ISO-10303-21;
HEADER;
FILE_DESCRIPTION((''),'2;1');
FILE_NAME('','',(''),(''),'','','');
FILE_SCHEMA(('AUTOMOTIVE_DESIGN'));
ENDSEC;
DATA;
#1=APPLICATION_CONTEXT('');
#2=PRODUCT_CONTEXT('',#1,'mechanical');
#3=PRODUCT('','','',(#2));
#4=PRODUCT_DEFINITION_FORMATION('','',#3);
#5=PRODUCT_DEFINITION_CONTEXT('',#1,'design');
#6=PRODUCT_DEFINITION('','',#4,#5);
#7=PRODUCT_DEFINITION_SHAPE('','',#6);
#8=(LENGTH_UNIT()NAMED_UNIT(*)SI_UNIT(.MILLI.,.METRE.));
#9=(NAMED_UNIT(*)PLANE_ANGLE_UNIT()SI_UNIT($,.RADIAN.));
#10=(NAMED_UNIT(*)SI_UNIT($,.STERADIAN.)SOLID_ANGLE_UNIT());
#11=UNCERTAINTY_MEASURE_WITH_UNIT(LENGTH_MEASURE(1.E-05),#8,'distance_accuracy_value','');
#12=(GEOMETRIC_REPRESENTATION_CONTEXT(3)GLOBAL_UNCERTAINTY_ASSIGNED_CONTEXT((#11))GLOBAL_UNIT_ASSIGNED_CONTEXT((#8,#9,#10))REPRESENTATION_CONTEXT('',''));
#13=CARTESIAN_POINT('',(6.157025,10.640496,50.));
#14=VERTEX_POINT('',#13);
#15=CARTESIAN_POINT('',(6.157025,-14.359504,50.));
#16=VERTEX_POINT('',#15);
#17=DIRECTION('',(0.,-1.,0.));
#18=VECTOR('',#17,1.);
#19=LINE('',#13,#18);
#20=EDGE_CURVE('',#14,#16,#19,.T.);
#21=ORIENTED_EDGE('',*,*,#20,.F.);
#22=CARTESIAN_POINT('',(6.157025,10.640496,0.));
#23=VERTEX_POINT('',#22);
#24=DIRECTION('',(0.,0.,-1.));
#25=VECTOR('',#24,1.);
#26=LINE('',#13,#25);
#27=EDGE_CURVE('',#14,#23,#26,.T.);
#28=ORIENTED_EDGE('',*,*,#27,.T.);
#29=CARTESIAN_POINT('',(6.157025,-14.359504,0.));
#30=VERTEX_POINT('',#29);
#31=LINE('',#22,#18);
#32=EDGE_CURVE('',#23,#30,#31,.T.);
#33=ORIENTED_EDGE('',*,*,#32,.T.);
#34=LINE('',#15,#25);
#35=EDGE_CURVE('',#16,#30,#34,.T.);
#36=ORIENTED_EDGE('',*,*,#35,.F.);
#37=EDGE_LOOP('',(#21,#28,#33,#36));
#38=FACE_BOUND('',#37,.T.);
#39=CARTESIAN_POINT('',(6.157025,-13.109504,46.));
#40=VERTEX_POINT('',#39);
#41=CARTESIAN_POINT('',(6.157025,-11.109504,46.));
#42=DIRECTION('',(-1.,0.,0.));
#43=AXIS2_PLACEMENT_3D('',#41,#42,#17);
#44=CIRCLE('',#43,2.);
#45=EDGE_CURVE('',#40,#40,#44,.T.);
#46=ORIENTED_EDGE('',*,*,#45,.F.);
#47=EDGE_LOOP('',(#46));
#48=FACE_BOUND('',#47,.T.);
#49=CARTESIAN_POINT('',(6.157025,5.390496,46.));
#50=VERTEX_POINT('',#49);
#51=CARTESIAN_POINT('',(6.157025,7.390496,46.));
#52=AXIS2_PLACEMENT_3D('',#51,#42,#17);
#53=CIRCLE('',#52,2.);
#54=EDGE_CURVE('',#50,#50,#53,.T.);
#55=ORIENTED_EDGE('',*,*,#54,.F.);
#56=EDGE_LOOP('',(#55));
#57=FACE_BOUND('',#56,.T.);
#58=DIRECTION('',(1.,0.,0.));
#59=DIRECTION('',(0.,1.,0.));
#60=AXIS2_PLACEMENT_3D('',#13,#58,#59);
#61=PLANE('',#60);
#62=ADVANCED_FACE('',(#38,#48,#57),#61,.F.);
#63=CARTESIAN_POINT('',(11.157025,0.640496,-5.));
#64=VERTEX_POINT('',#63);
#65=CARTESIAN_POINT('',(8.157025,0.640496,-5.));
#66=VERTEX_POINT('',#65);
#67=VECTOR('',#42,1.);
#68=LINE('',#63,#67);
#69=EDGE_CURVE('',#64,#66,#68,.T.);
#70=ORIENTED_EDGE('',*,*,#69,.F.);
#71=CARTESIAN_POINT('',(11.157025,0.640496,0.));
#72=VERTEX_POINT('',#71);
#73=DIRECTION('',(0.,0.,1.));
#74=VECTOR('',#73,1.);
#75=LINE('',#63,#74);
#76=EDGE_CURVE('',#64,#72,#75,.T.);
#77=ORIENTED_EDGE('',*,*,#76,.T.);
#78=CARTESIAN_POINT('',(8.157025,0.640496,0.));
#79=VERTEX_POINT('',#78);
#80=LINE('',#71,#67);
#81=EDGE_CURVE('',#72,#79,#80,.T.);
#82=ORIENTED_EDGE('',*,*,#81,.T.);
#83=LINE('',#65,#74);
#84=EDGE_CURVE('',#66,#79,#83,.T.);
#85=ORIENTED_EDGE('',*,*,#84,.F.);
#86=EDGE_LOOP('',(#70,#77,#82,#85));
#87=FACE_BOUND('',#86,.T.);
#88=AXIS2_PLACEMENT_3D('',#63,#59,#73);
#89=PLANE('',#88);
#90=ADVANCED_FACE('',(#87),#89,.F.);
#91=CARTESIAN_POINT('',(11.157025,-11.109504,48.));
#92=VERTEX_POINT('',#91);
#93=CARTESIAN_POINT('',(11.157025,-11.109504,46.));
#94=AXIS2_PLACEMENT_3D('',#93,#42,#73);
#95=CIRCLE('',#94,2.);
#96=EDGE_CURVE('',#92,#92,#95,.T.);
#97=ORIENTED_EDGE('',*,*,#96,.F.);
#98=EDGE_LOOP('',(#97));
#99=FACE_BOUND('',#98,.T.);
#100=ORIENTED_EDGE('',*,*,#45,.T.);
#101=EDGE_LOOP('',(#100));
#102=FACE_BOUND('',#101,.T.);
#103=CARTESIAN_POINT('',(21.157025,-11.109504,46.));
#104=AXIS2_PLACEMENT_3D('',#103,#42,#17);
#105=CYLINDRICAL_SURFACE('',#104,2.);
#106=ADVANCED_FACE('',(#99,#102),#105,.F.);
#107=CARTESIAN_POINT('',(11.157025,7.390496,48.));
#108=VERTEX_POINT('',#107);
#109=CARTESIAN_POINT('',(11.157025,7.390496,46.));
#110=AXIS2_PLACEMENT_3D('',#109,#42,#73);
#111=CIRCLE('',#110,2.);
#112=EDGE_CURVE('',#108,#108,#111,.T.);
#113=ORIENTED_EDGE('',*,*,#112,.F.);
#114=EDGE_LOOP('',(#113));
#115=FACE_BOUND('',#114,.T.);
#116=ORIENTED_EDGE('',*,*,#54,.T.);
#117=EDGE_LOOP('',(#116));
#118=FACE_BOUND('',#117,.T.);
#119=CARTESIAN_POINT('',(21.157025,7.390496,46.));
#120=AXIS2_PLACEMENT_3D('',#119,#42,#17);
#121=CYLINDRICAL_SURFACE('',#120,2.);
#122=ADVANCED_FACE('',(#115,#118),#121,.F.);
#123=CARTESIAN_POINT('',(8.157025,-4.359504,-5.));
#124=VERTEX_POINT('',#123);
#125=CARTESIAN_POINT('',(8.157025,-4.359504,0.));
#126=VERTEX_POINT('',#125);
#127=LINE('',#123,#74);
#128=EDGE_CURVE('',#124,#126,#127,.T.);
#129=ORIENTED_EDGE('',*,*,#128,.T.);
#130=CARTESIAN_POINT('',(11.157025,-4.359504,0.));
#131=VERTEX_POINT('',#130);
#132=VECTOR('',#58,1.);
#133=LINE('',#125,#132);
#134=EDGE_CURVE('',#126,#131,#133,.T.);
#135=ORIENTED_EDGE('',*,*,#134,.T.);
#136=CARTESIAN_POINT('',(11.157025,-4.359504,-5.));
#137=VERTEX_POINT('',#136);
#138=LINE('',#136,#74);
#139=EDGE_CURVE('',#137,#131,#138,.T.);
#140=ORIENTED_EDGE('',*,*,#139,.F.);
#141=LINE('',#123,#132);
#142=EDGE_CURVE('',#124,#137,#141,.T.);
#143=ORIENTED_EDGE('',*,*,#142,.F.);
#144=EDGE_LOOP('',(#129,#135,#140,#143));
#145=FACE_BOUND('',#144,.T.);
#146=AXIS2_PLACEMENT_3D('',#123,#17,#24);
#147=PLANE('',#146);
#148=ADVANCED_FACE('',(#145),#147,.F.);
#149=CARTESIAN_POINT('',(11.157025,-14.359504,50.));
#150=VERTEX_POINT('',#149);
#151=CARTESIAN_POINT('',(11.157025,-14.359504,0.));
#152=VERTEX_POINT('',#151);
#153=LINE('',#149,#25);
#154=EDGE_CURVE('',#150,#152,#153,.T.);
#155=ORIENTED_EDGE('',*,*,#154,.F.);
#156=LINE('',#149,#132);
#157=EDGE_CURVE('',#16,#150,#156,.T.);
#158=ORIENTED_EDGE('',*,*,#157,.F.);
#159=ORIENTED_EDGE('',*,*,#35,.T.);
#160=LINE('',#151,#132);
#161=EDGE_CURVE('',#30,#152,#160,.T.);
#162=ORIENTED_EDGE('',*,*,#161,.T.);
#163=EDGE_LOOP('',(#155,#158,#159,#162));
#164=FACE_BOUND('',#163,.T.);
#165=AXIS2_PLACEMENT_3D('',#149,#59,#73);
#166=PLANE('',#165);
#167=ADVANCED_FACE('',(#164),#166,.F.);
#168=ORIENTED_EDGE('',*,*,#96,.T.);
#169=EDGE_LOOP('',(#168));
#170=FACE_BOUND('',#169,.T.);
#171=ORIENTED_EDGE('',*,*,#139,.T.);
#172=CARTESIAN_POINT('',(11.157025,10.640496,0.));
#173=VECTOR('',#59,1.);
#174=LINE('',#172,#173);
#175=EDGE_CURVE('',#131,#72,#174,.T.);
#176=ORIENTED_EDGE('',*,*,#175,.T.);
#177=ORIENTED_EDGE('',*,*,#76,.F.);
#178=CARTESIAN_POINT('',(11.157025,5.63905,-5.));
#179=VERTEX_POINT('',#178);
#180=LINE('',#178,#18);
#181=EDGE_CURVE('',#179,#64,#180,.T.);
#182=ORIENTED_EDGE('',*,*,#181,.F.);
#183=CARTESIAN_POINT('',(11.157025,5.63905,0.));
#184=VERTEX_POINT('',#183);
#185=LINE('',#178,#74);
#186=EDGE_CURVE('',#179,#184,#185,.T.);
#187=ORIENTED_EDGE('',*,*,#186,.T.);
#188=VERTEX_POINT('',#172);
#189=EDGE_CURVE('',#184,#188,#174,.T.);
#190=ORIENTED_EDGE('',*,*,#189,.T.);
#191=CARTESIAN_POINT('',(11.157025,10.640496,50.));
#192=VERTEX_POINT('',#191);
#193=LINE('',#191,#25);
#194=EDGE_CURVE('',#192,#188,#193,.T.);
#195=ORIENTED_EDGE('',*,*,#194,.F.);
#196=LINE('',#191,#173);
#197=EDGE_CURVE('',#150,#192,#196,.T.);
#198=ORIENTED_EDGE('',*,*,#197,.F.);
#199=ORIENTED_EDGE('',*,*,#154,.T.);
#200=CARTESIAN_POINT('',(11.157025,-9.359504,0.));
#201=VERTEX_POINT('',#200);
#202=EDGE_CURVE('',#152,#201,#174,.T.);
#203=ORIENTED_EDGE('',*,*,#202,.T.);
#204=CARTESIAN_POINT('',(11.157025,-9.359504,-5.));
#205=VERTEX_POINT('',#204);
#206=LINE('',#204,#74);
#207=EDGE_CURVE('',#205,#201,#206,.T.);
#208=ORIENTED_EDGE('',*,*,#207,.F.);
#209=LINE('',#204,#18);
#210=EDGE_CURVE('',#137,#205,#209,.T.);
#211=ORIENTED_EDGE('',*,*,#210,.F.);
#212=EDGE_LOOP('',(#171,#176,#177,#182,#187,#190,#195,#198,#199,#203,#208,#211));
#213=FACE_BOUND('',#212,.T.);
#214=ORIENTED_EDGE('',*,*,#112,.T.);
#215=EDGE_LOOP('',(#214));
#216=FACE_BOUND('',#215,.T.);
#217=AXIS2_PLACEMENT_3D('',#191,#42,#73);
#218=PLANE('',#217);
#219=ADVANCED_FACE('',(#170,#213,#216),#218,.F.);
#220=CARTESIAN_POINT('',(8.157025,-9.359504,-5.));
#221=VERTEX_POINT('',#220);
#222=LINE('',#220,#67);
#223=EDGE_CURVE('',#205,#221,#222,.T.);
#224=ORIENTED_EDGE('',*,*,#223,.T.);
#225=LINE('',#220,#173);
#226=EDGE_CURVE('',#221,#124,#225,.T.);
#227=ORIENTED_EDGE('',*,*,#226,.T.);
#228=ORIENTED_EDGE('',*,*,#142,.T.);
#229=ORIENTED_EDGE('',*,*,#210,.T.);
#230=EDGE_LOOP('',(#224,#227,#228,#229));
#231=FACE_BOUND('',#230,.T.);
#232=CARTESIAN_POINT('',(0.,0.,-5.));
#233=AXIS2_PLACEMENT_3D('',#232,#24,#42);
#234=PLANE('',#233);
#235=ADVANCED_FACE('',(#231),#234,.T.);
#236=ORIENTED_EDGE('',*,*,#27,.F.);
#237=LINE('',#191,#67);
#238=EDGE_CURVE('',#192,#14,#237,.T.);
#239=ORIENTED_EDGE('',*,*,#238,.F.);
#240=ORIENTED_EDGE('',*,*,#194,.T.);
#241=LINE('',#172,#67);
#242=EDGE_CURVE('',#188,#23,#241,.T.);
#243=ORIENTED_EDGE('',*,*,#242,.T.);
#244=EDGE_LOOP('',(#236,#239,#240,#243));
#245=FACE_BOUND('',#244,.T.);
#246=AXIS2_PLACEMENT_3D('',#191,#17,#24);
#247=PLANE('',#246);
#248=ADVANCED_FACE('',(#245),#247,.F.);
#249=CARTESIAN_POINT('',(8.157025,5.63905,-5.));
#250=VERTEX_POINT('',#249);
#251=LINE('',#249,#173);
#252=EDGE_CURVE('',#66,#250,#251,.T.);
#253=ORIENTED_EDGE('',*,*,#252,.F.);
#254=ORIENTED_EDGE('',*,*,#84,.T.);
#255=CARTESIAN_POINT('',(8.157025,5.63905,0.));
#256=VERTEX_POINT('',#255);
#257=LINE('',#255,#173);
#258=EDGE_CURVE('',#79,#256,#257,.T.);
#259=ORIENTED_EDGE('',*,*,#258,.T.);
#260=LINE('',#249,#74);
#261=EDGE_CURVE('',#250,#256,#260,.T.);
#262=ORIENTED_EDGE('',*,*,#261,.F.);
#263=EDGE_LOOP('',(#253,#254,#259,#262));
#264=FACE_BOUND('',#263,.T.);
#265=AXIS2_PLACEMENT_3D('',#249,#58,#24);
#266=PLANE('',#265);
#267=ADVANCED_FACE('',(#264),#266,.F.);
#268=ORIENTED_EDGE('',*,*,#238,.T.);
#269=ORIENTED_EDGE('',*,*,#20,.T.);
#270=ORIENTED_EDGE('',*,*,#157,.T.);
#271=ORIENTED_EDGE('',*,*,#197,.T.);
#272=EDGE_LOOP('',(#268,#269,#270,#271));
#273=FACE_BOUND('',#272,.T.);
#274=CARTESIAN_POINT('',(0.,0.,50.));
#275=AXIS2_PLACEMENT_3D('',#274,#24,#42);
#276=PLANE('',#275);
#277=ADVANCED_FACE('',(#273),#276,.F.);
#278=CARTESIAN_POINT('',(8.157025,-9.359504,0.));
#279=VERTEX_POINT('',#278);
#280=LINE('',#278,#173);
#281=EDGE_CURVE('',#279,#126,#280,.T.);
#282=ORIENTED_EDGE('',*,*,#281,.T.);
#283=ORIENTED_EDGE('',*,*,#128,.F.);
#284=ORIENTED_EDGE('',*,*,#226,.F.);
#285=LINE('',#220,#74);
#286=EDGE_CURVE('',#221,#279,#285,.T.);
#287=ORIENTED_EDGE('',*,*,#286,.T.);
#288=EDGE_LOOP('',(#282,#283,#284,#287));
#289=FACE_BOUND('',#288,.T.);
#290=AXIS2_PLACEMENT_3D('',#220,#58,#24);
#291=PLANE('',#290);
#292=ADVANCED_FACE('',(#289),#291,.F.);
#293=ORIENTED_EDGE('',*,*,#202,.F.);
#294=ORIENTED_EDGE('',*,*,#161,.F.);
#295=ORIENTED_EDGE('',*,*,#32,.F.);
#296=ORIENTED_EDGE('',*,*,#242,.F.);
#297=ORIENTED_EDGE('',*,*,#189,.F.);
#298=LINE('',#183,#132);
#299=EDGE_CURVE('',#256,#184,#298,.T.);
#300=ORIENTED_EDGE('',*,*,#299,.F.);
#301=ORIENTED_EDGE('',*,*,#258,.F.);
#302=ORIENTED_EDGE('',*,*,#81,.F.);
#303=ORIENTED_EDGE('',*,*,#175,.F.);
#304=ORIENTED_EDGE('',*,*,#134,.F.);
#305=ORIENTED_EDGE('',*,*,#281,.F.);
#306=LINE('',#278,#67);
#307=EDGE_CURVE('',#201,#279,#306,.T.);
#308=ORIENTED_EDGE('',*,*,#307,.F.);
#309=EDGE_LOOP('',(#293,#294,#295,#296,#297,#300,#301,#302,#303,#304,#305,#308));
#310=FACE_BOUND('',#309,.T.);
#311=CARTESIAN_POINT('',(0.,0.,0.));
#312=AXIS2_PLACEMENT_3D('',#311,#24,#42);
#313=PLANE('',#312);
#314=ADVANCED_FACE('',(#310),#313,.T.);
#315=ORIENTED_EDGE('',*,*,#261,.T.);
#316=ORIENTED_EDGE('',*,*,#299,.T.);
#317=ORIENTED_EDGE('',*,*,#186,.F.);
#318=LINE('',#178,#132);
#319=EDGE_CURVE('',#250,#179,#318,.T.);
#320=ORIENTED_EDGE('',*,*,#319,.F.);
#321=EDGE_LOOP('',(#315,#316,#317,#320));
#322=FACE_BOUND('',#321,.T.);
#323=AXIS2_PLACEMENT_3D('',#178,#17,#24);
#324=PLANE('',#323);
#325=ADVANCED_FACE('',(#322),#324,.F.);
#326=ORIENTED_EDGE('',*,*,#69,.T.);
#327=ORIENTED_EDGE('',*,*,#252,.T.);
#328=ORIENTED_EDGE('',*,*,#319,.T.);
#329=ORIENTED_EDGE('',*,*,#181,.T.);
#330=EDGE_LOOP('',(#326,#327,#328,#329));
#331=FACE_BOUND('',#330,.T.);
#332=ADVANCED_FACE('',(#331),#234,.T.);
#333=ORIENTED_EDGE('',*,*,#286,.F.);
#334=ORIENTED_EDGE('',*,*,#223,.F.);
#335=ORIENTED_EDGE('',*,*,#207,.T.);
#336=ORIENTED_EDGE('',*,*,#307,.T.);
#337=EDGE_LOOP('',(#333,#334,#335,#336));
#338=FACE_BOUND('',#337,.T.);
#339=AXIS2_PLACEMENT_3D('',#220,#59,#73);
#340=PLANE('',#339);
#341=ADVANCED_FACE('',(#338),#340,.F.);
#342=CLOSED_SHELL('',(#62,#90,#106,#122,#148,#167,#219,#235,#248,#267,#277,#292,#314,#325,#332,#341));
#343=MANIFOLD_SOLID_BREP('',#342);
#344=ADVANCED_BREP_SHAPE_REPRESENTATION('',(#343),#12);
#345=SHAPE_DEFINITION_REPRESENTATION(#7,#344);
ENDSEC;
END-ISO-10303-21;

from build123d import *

# Parameters (mm, degrees)
SKETCH1_W           = 5
SKETCH1_H           = 25
BOSS_EXTRUDE1_DEPTH = 50
SKETCH2_R           = 2
CUT_EXTRUDE1_DEPTH  = 15
SKETCH3_W           = 3
SKETCH3_H           = 4.998554169
SKETCH3_H_2         = 5
BOSS_EXTRUDE2_DEPTH = 5


with BuildPart() as part:
    # Sketch1 → Boss-Extrude1 (new body)
    with BuildSketch(Plane.XY):
        with Locations((8.657024793, -1.859504132)):
            Rectangle(SKETCH1_W, SKETCH1_H)
    extrude(amount=BOSS_EXTRUDE1_DEPTH)

    # Sketch2 → Cut-Extrude1 (cut)
    with BuildSketch(Plane.ZY.offset(-6.157024793)):
        with Locations(Location((46, -11.109504132, 0), (0, 0, 270))):
            Circle(SKETCH2_R)
        with Locations(Location((46, 7.390495868, 0), (0, 0, 270))):
            Circle(SKETCH2_R)
    extrude(amount=-CUT_EXTRUDE1_DEPTH, mode=Mode.SUBTRACT)

    # Sketch3 → Boss-Extrude2 (add)
    with BuildSketch(Plane(origin=(0, 0, 0), x_dir=(-1, 0, 0), z_dir=(0, 0, -1))):
        with Locations((-9.657024793, 3.139772953)):
            Rectangle(SKETCH3_W, SKETCH3_H)
        with Locations((-9.657024793, -6.859504132)):
            Rectangle(SKETCH3_W, SKETCH3_H_2)
    extrude(amount=BOSS_EXTRUDE2_DEPTH)


solid = part.part
